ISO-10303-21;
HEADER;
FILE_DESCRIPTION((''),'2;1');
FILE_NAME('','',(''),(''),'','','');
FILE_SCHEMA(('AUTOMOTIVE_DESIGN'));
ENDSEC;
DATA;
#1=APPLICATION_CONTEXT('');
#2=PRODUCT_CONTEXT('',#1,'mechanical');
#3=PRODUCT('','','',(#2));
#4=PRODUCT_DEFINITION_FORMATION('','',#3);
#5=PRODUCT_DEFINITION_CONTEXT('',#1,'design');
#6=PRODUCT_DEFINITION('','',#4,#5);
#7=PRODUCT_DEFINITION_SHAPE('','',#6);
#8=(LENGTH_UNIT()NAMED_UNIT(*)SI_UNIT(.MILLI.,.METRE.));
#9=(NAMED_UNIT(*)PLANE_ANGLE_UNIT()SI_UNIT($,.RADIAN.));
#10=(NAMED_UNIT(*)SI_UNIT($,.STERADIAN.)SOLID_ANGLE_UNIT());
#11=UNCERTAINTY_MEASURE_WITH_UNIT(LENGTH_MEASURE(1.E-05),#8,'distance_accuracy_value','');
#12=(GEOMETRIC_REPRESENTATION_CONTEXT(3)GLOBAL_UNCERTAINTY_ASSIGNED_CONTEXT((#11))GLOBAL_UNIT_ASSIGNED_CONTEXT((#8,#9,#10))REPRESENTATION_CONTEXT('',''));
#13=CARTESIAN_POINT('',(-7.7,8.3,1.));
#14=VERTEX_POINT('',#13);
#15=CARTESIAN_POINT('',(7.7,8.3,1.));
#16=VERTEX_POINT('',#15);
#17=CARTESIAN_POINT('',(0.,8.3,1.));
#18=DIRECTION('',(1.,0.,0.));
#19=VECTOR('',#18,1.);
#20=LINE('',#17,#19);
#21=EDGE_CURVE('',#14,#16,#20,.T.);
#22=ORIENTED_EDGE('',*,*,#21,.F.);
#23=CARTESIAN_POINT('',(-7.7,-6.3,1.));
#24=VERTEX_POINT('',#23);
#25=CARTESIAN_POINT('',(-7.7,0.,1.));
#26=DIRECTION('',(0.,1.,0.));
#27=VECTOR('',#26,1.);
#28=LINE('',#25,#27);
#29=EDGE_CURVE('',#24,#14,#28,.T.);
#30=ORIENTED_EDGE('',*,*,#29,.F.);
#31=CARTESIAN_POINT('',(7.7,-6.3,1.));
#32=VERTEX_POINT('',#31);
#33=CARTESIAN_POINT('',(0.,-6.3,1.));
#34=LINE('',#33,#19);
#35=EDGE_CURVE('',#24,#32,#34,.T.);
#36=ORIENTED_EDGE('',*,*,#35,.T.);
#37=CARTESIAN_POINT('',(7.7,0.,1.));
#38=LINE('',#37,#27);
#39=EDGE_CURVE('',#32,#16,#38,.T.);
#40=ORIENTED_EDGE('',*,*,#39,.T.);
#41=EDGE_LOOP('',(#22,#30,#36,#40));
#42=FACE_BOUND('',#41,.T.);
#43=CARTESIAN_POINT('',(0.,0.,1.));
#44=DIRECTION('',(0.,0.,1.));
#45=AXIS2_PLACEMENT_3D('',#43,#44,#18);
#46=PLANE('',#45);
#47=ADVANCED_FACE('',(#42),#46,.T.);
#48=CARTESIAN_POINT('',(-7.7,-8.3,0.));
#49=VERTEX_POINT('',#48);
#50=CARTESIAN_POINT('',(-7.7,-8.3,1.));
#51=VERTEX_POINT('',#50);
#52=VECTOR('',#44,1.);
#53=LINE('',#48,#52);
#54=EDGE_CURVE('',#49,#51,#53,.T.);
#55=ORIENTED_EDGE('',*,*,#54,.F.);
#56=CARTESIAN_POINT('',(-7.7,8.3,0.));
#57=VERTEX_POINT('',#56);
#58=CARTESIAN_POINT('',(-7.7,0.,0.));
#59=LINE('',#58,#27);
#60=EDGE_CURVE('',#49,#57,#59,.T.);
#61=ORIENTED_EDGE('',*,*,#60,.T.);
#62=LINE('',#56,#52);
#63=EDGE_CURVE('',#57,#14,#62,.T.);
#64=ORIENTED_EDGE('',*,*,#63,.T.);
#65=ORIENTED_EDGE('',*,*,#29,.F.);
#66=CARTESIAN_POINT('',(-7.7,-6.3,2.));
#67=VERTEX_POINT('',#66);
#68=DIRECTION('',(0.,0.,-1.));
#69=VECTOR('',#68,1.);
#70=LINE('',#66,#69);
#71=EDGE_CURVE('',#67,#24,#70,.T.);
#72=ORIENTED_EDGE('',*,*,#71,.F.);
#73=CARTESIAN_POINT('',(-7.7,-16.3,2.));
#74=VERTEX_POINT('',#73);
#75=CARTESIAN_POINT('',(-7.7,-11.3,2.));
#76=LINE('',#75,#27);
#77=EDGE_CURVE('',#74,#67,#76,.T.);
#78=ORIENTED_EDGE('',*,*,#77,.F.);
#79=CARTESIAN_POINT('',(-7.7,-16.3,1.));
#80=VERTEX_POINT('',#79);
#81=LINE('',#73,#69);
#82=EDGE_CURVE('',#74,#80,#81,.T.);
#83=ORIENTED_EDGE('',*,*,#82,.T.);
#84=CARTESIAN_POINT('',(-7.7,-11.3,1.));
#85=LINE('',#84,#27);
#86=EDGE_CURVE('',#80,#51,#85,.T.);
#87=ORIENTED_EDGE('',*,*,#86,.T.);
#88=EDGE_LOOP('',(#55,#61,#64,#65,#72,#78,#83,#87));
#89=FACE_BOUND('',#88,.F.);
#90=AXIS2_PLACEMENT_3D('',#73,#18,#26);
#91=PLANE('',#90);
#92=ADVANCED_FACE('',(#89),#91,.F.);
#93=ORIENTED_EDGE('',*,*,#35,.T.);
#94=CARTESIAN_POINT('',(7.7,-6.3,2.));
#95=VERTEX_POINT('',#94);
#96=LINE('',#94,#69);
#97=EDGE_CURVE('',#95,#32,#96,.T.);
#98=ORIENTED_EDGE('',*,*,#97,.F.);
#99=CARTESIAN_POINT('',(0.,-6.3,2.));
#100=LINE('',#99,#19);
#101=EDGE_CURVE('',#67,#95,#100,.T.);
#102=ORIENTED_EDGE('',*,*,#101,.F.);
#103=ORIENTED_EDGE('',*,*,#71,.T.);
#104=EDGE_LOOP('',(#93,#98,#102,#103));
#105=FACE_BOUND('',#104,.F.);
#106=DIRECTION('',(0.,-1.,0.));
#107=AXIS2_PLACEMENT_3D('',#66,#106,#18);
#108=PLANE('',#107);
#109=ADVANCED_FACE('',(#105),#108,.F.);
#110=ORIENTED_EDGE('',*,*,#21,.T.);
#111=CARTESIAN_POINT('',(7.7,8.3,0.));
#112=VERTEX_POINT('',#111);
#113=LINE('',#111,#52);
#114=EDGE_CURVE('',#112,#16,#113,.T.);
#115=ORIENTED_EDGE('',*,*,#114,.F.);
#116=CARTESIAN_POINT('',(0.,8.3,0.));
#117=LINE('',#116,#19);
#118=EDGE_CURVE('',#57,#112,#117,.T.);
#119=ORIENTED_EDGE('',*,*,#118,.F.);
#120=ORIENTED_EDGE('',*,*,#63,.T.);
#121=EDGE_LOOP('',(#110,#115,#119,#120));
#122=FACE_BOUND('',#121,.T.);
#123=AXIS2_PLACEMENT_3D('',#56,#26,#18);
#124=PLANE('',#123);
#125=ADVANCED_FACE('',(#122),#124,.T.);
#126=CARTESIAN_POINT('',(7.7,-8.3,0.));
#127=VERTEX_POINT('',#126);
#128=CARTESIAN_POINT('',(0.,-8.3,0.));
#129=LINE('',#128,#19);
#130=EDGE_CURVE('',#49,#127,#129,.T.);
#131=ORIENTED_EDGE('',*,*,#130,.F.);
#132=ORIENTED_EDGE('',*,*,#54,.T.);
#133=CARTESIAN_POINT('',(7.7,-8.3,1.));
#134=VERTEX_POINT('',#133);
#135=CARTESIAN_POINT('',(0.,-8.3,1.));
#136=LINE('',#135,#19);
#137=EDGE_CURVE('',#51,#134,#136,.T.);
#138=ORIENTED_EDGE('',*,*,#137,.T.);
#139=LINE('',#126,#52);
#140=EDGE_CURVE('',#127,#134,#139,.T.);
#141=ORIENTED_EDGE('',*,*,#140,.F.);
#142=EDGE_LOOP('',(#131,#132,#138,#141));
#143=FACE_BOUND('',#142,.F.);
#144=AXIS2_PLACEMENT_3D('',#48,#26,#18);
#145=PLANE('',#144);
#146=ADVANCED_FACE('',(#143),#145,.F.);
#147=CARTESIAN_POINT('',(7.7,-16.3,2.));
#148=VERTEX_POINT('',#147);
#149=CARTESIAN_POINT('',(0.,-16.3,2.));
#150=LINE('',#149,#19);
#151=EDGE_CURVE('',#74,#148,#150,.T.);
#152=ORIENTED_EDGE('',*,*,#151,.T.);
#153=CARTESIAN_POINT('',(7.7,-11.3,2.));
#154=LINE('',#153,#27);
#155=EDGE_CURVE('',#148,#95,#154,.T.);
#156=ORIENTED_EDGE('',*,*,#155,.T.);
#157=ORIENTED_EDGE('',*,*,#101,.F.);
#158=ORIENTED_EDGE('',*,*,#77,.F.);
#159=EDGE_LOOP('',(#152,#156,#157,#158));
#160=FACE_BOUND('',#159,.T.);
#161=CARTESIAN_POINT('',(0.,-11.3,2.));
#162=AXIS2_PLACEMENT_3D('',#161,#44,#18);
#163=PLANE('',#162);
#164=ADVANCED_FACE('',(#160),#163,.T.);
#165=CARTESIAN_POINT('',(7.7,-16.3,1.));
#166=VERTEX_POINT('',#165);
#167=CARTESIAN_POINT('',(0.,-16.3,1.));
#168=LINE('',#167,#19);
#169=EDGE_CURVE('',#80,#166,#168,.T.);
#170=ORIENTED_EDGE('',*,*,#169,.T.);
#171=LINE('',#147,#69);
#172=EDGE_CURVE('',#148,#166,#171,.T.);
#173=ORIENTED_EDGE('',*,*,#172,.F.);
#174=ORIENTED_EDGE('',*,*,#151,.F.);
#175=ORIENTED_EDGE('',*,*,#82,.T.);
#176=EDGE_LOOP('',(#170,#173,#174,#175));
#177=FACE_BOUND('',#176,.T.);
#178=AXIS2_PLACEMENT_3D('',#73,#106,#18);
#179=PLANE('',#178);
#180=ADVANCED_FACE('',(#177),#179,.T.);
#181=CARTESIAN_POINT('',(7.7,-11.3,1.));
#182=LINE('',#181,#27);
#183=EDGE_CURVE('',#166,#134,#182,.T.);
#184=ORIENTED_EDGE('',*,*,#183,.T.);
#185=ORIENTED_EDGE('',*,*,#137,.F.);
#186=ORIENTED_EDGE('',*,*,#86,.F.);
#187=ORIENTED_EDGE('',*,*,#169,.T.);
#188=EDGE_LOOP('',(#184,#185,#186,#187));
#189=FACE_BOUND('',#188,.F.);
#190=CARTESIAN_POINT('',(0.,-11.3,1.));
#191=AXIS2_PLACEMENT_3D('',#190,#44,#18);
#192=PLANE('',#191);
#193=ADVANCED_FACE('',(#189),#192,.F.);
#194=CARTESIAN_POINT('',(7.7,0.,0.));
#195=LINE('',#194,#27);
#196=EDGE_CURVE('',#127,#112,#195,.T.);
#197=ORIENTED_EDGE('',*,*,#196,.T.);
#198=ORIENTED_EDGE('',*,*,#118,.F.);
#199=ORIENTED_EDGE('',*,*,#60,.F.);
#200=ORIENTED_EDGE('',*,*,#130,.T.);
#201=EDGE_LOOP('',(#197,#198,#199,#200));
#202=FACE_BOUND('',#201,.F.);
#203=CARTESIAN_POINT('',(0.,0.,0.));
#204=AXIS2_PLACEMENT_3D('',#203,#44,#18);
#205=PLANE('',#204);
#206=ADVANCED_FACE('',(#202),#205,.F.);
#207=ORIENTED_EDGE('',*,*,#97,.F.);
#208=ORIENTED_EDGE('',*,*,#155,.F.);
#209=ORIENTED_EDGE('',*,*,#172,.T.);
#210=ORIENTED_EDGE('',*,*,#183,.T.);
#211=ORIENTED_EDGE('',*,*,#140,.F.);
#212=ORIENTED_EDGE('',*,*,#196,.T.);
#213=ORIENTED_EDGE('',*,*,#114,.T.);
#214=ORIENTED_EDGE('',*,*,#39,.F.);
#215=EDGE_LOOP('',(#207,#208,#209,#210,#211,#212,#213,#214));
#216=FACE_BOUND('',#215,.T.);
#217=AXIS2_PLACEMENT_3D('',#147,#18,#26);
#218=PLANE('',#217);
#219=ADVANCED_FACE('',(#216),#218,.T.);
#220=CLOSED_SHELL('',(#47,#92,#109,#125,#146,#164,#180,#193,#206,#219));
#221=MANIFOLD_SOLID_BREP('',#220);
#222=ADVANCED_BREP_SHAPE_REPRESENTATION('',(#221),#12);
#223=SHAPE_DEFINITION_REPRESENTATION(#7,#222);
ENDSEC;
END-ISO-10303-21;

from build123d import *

# Parameters (mm, degrees)
F0_W     = 15.4
F0_H     = 16.6
F1_DEPTH = 1
F3_W     = 15.4
F3_H     = 10
F4_DEPTH = 1


with BuildPart() as f1:
    # F0 (on Top) → F1 (new body)
    with BuildSketch(Plane.XY):
        Rectangle(F0_W, F0_H)
    extrude(amount=F1_DEPTH)

    # F3 (on offset) → F4 (join, through all)
    with BuildSketch(Plane.XY.offset(2)):
        with Locations((0, -11.3)):
            Rectangle(F3_W, F3_H)
    extrude(amount=-F4_DEPTH)


solid = f1.part
